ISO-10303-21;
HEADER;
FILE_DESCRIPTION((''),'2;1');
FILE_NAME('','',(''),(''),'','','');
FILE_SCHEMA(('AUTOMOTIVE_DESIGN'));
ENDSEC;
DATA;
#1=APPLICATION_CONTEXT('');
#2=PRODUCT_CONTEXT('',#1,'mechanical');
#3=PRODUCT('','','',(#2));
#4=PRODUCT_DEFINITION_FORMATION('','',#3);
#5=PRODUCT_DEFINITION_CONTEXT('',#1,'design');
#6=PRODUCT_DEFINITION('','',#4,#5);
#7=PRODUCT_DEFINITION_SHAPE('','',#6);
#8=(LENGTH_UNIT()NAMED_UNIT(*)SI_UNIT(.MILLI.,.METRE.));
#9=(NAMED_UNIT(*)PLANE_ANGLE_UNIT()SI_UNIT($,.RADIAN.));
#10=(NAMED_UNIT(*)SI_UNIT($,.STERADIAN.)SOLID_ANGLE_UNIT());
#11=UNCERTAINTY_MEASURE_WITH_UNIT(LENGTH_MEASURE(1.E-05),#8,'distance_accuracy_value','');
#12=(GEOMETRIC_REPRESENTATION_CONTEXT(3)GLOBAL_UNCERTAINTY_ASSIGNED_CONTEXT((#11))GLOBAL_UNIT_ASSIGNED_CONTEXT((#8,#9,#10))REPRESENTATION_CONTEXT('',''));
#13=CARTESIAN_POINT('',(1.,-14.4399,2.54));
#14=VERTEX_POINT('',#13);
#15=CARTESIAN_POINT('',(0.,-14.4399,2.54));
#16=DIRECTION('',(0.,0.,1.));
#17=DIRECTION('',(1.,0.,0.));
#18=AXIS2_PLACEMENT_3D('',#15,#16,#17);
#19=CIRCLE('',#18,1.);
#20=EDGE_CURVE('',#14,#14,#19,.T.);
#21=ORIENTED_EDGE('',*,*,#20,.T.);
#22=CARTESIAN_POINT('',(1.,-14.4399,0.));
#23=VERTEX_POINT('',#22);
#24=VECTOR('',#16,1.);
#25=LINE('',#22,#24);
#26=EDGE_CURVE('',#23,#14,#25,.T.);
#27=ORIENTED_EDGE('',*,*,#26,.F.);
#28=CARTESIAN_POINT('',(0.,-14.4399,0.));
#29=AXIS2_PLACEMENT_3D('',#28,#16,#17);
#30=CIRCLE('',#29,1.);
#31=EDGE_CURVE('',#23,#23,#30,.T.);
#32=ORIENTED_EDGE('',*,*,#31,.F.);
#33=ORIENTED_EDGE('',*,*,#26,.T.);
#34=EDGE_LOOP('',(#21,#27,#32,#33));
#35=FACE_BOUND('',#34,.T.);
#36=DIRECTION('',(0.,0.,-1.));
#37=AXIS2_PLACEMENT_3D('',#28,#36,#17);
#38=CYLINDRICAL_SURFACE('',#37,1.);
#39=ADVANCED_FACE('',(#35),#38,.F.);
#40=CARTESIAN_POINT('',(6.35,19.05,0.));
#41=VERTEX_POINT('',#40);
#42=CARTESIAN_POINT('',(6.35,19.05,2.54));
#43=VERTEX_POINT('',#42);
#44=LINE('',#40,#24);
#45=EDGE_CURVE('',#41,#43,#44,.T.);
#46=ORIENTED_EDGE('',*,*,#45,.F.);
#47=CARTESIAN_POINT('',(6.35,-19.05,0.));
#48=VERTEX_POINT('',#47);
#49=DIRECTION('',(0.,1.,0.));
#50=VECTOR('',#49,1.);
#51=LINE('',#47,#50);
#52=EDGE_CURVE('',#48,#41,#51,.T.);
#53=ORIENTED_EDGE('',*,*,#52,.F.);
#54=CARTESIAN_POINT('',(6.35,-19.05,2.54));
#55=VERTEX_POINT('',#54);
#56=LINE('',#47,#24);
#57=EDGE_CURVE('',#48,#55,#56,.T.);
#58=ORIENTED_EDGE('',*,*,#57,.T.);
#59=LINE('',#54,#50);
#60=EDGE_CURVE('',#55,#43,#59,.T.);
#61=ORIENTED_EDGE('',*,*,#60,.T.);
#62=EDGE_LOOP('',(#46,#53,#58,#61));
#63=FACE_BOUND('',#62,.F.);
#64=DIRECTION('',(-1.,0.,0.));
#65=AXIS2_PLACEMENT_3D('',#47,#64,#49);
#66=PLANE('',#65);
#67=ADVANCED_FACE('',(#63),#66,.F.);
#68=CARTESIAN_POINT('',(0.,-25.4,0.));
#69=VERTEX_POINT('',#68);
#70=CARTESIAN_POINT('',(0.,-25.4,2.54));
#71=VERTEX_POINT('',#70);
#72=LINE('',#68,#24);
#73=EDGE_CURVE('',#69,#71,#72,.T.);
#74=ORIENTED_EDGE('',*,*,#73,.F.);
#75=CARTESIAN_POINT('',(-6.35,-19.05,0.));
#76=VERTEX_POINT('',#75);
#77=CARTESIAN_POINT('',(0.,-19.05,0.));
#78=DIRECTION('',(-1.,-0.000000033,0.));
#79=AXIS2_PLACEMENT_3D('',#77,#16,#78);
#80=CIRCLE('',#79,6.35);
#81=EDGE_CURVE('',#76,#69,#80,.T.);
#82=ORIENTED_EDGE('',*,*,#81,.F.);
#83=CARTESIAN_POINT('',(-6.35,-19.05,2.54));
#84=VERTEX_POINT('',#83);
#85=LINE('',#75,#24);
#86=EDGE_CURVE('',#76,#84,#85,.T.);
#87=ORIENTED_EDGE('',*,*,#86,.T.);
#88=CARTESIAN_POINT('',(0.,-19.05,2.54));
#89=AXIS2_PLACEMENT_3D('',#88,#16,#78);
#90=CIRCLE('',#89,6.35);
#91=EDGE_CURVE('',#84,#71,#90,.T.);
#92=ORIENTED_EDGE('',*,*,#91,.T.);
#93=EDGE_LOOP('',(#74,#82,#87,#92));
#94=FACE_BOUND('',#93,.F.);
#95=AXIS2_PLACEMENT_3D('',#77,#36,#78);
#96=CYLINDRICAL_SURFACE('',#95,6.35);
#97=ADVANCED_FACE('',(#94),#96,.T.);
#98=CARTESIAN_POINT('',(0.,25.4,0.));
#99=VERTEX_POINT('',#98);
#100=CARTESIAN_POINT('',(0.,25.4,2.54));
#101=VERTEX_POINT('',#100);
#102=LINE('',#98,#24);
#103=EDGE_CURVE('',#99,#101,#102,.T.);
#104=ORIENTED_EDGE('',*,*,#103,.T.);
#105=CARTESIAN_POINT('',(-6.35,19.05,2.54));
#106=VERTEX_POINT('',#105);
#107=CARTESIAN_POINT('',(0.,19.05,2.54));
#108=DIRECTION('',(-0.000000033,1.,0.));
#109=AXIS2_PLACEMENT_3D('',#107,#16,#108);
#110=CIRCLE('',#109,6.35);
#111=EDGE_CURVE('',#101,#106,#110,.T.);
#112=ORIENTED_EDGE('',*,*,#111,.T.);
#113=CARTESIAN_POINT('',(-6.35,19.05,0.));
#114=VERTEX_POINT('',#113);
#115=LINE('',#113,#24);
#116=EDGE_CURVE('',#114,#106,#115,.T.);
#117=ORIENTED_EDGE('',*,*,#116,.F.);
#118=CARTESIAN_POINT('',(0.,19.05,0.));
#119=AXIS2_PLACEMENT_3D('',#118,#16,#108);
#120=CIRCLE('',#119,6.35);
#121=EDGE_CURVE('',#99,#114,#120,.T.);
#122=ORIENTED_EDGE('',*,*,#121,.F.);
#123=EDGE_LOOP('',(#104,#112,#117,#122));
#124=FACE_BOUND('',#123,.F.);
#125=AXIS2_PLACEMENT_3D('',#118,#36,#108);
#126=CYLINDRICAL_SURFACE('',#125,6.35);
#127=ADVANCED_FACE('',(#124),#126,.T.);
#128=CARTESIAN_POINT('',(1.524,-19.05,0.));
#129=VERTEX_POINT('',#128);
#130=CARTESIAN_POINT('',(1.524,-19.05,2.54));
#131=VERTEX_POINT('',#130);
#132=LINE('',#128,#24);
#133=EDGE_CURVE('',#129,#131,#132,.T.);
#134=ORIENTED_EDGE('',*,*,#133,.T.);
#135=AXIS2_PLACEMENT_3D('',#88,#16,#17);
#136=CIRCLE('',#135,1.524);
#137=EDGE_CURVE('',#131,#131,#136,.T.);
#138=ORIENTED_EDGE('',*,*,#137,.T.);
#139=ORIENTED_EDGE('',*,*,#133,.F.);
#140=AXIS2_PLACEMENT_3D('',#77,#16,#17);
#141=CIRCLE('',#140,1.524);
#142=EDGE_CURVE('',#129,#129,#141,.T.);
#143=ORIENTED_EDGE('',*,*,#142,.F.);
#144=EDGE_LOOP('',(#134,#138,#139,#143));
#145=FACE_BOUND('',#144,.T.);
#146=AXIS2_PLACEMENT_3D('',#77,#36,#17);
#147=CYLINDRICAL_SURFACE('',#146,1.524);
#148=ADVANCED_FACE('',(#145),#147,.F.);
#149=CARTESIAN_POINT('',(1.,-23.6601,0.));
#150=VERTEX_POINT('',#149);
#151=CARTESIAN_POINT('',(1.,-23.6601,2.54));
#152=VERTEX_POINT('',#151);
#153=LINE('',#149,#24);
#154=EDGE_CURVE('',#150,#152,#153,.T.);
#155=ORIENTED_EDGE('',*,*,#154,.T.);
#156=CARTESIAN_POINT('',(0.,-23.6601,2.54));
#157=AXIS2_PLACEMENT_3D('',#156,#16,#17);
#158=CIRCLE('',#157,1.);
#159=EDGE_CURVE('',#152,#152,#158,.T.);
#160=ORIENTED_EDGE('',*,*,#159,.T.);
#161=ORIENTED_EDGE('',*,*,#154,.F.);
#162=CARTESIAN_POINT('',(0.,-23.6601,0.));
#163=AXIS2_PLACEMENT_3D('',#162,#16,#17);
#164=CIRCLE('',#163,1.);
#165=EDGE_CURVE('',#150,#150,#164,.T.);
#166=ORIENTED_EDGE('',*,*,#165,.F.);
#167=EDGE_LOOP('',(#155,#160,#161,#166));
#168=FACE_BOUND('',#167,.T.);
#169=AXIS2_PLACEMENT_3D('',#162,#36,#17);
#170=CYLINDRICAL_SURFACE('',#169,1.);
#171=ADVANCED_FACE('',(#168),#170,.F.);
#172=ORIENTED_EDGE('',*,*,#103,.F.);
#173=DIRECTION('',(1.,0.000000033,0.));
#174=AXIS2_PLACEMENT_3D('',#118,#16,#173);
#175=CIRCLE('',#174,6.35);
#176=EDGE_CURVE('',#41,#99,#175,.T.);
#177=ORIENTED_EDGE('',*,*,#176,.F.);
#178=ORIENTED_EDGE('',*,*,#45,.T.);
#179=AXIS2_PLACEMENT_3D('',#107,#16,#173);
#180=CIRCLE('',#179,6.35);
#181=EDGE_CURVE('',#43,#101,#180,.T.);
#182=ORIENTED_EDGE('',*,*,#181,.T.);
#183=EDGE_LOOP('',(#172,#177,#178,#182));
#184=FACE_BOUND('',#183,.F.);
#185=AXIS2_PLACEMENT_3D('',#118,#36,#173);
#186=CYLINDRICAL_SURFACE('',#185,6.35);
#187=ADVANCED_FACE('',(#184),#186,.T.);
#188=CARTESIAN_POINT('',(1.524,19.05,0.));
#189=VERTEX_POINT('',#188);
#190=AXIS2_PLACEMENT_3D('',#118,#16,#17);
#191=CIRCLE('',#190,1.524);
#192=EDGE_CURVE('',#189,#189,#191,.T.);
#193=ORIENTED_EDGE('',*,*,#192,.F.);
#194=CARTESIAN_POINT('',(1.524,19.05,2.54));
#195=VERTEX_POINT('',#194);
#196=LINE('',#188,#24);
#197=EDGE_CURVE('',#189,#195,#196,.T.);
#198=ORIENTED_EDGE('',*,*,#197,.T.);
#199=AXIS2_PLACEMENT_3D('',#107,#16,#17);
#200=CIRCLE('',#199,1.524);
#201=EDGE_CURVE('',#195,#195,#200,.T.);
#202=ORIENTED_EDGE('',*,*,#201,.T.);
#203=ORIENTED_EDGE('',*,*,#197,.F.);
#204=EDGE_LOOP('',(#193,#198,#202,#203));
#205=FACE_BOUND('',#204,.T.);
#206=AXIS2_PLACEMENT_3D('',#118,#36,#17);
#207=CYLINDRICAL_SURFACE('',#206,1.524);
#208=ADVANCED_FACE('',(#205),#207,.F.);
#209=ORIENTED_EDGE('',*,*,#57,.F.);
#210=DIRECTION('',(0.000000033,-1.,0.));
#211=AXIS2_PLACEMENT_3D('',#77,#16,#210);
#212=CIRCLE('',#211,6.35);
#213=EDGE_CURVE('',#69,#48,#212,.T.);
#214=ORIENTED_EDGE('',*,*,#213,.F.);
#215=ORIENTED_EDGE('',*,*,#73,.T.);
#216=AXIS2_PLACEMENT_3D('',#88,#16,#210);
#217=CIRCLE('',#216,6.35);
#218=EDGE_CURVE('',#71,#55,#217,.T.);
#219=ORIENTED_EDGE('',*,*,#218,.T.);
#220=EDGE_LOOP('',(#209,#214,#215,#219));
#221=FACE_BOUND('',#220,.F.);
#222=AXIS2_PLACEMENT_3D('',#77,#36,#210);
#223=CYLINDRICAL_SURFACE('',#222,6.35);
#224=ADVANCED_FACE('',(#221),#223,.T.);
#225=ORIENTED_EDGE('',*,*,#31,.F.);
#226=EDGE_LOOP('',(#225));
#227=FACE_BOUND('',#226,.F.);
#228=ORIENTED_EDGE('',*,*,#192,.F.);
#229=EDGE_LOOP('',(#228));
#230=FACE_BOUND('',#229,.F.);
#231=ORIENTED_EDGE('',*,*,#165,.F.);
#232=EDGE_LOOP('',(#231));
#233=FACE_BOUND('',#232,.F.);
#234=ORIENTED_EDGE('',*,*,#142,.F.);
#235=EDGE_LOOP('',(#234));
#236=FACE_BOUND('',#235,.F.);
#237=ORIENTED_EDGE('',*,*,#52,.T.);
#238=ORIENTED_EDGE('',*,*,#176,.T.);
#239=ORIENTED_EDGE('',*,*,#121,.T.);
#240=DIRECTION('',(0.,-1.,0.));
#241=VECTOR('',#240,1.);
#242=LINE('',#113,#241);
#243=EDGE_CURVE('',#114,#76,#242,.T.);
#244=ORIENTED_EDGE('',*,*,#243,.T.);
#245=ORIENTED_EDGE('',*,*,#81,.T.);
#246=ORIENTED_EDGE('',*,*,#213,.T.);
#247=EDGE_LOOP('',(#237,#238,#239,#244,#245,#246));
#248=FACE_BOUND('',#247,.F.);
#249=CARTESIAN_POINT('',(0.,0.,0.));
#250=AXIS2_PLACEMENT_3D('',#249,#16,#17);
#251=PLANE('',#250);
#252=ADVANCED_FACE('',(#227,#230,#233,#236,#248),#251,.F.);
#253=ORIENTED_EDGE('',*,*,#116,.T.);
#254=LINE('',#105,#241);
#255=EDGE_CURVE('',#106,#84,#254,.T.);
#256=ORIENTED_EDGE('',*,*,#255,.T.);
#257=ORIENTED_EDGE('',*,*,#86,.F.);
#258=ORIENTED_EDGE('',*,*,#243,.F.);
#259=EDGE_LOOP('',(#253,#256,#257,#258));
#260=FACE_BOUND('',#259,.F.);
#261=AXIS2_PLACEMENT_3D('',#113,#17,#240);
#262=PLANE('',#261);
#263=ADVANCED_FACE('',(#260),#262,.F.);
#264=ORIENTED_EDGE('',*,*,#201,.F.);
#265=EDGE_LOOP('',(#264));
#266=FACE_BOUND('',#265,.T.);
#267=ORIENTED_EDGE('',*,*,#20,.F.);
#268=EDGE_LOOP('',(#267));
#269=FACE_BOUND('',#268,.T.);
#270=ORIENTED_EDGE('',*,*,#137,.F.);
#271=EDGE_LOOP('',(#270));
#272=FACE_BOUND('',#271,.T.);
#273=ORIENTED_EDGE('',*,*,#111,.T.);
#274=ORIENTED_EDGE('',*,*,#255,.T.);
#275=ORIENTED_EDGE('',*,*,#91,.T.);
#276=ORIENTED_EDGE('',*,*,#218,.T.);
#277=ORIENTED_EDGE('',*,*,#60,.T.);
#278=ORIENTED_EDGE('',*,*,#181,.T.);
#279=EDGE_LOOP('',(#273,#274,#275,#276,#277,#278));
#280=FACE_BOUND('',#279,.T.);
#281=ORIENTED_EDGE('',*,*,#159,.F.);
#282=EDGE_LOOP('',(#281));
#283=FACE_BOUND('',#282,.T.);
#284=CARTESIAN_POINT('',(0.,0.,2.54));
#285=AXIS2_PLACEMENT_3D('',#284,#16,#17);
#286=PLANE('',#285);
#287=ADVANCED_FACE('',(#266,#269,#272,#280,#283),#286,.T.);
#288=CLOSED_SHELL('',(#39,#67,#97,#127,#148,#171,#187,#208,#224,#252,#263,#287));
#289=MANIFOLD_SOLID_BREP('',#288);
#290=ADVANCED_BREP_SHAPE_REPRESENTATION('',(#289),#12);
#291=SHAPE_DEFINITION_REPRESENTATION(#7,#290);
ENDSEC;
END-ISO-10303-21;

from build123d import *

# Parameters (mm, degrees)
F0_R     = 1
F0_R_2   = 1.524
F1_DEPTH = 2.54


with BuildPart() as f1:
    # F0 (on Top) → F1 (new body)
    with BuildSketch(Plane.XY):
        with BuildLine():
            Line((6.35, -19.05), (6.35, 19.05))
            ThreePointArc((6.35, 19.05), (4.490128, 23.540128), (0, 25.4))
            ThreePointArc((0, 25.4), (-4.490128, 23.540128), (-6.35, 19.05))
            Line((-6.35, 19.05), (-6.35, -19.05))
            ThreePointArc((-6.35, -19.05), (-4.490128, -23.540128), (0, -25.4))
            ThreePointArc((0, -25.4), (4.490128, -23.540128), (6.35, -19.05))
        make_face()
        with Locations((0, -23.6601)):
            Circle(F0_R, mode=Mode.SUBTRACT)
        with Locations((0, -19.05)):
            Circle(F0_R_2, mode=Mode.SUBTRACT)
        with Locations((0, -14.4399)):
            Circle(F0_R, mode=Mode.SUBTRACT)
        with Locations((0, 19.05)):
            Circle(F0_R_2, mode=Mode.SUBTRACT)
    extrude(amount=F1_DEPTH)


solid = f1.part
